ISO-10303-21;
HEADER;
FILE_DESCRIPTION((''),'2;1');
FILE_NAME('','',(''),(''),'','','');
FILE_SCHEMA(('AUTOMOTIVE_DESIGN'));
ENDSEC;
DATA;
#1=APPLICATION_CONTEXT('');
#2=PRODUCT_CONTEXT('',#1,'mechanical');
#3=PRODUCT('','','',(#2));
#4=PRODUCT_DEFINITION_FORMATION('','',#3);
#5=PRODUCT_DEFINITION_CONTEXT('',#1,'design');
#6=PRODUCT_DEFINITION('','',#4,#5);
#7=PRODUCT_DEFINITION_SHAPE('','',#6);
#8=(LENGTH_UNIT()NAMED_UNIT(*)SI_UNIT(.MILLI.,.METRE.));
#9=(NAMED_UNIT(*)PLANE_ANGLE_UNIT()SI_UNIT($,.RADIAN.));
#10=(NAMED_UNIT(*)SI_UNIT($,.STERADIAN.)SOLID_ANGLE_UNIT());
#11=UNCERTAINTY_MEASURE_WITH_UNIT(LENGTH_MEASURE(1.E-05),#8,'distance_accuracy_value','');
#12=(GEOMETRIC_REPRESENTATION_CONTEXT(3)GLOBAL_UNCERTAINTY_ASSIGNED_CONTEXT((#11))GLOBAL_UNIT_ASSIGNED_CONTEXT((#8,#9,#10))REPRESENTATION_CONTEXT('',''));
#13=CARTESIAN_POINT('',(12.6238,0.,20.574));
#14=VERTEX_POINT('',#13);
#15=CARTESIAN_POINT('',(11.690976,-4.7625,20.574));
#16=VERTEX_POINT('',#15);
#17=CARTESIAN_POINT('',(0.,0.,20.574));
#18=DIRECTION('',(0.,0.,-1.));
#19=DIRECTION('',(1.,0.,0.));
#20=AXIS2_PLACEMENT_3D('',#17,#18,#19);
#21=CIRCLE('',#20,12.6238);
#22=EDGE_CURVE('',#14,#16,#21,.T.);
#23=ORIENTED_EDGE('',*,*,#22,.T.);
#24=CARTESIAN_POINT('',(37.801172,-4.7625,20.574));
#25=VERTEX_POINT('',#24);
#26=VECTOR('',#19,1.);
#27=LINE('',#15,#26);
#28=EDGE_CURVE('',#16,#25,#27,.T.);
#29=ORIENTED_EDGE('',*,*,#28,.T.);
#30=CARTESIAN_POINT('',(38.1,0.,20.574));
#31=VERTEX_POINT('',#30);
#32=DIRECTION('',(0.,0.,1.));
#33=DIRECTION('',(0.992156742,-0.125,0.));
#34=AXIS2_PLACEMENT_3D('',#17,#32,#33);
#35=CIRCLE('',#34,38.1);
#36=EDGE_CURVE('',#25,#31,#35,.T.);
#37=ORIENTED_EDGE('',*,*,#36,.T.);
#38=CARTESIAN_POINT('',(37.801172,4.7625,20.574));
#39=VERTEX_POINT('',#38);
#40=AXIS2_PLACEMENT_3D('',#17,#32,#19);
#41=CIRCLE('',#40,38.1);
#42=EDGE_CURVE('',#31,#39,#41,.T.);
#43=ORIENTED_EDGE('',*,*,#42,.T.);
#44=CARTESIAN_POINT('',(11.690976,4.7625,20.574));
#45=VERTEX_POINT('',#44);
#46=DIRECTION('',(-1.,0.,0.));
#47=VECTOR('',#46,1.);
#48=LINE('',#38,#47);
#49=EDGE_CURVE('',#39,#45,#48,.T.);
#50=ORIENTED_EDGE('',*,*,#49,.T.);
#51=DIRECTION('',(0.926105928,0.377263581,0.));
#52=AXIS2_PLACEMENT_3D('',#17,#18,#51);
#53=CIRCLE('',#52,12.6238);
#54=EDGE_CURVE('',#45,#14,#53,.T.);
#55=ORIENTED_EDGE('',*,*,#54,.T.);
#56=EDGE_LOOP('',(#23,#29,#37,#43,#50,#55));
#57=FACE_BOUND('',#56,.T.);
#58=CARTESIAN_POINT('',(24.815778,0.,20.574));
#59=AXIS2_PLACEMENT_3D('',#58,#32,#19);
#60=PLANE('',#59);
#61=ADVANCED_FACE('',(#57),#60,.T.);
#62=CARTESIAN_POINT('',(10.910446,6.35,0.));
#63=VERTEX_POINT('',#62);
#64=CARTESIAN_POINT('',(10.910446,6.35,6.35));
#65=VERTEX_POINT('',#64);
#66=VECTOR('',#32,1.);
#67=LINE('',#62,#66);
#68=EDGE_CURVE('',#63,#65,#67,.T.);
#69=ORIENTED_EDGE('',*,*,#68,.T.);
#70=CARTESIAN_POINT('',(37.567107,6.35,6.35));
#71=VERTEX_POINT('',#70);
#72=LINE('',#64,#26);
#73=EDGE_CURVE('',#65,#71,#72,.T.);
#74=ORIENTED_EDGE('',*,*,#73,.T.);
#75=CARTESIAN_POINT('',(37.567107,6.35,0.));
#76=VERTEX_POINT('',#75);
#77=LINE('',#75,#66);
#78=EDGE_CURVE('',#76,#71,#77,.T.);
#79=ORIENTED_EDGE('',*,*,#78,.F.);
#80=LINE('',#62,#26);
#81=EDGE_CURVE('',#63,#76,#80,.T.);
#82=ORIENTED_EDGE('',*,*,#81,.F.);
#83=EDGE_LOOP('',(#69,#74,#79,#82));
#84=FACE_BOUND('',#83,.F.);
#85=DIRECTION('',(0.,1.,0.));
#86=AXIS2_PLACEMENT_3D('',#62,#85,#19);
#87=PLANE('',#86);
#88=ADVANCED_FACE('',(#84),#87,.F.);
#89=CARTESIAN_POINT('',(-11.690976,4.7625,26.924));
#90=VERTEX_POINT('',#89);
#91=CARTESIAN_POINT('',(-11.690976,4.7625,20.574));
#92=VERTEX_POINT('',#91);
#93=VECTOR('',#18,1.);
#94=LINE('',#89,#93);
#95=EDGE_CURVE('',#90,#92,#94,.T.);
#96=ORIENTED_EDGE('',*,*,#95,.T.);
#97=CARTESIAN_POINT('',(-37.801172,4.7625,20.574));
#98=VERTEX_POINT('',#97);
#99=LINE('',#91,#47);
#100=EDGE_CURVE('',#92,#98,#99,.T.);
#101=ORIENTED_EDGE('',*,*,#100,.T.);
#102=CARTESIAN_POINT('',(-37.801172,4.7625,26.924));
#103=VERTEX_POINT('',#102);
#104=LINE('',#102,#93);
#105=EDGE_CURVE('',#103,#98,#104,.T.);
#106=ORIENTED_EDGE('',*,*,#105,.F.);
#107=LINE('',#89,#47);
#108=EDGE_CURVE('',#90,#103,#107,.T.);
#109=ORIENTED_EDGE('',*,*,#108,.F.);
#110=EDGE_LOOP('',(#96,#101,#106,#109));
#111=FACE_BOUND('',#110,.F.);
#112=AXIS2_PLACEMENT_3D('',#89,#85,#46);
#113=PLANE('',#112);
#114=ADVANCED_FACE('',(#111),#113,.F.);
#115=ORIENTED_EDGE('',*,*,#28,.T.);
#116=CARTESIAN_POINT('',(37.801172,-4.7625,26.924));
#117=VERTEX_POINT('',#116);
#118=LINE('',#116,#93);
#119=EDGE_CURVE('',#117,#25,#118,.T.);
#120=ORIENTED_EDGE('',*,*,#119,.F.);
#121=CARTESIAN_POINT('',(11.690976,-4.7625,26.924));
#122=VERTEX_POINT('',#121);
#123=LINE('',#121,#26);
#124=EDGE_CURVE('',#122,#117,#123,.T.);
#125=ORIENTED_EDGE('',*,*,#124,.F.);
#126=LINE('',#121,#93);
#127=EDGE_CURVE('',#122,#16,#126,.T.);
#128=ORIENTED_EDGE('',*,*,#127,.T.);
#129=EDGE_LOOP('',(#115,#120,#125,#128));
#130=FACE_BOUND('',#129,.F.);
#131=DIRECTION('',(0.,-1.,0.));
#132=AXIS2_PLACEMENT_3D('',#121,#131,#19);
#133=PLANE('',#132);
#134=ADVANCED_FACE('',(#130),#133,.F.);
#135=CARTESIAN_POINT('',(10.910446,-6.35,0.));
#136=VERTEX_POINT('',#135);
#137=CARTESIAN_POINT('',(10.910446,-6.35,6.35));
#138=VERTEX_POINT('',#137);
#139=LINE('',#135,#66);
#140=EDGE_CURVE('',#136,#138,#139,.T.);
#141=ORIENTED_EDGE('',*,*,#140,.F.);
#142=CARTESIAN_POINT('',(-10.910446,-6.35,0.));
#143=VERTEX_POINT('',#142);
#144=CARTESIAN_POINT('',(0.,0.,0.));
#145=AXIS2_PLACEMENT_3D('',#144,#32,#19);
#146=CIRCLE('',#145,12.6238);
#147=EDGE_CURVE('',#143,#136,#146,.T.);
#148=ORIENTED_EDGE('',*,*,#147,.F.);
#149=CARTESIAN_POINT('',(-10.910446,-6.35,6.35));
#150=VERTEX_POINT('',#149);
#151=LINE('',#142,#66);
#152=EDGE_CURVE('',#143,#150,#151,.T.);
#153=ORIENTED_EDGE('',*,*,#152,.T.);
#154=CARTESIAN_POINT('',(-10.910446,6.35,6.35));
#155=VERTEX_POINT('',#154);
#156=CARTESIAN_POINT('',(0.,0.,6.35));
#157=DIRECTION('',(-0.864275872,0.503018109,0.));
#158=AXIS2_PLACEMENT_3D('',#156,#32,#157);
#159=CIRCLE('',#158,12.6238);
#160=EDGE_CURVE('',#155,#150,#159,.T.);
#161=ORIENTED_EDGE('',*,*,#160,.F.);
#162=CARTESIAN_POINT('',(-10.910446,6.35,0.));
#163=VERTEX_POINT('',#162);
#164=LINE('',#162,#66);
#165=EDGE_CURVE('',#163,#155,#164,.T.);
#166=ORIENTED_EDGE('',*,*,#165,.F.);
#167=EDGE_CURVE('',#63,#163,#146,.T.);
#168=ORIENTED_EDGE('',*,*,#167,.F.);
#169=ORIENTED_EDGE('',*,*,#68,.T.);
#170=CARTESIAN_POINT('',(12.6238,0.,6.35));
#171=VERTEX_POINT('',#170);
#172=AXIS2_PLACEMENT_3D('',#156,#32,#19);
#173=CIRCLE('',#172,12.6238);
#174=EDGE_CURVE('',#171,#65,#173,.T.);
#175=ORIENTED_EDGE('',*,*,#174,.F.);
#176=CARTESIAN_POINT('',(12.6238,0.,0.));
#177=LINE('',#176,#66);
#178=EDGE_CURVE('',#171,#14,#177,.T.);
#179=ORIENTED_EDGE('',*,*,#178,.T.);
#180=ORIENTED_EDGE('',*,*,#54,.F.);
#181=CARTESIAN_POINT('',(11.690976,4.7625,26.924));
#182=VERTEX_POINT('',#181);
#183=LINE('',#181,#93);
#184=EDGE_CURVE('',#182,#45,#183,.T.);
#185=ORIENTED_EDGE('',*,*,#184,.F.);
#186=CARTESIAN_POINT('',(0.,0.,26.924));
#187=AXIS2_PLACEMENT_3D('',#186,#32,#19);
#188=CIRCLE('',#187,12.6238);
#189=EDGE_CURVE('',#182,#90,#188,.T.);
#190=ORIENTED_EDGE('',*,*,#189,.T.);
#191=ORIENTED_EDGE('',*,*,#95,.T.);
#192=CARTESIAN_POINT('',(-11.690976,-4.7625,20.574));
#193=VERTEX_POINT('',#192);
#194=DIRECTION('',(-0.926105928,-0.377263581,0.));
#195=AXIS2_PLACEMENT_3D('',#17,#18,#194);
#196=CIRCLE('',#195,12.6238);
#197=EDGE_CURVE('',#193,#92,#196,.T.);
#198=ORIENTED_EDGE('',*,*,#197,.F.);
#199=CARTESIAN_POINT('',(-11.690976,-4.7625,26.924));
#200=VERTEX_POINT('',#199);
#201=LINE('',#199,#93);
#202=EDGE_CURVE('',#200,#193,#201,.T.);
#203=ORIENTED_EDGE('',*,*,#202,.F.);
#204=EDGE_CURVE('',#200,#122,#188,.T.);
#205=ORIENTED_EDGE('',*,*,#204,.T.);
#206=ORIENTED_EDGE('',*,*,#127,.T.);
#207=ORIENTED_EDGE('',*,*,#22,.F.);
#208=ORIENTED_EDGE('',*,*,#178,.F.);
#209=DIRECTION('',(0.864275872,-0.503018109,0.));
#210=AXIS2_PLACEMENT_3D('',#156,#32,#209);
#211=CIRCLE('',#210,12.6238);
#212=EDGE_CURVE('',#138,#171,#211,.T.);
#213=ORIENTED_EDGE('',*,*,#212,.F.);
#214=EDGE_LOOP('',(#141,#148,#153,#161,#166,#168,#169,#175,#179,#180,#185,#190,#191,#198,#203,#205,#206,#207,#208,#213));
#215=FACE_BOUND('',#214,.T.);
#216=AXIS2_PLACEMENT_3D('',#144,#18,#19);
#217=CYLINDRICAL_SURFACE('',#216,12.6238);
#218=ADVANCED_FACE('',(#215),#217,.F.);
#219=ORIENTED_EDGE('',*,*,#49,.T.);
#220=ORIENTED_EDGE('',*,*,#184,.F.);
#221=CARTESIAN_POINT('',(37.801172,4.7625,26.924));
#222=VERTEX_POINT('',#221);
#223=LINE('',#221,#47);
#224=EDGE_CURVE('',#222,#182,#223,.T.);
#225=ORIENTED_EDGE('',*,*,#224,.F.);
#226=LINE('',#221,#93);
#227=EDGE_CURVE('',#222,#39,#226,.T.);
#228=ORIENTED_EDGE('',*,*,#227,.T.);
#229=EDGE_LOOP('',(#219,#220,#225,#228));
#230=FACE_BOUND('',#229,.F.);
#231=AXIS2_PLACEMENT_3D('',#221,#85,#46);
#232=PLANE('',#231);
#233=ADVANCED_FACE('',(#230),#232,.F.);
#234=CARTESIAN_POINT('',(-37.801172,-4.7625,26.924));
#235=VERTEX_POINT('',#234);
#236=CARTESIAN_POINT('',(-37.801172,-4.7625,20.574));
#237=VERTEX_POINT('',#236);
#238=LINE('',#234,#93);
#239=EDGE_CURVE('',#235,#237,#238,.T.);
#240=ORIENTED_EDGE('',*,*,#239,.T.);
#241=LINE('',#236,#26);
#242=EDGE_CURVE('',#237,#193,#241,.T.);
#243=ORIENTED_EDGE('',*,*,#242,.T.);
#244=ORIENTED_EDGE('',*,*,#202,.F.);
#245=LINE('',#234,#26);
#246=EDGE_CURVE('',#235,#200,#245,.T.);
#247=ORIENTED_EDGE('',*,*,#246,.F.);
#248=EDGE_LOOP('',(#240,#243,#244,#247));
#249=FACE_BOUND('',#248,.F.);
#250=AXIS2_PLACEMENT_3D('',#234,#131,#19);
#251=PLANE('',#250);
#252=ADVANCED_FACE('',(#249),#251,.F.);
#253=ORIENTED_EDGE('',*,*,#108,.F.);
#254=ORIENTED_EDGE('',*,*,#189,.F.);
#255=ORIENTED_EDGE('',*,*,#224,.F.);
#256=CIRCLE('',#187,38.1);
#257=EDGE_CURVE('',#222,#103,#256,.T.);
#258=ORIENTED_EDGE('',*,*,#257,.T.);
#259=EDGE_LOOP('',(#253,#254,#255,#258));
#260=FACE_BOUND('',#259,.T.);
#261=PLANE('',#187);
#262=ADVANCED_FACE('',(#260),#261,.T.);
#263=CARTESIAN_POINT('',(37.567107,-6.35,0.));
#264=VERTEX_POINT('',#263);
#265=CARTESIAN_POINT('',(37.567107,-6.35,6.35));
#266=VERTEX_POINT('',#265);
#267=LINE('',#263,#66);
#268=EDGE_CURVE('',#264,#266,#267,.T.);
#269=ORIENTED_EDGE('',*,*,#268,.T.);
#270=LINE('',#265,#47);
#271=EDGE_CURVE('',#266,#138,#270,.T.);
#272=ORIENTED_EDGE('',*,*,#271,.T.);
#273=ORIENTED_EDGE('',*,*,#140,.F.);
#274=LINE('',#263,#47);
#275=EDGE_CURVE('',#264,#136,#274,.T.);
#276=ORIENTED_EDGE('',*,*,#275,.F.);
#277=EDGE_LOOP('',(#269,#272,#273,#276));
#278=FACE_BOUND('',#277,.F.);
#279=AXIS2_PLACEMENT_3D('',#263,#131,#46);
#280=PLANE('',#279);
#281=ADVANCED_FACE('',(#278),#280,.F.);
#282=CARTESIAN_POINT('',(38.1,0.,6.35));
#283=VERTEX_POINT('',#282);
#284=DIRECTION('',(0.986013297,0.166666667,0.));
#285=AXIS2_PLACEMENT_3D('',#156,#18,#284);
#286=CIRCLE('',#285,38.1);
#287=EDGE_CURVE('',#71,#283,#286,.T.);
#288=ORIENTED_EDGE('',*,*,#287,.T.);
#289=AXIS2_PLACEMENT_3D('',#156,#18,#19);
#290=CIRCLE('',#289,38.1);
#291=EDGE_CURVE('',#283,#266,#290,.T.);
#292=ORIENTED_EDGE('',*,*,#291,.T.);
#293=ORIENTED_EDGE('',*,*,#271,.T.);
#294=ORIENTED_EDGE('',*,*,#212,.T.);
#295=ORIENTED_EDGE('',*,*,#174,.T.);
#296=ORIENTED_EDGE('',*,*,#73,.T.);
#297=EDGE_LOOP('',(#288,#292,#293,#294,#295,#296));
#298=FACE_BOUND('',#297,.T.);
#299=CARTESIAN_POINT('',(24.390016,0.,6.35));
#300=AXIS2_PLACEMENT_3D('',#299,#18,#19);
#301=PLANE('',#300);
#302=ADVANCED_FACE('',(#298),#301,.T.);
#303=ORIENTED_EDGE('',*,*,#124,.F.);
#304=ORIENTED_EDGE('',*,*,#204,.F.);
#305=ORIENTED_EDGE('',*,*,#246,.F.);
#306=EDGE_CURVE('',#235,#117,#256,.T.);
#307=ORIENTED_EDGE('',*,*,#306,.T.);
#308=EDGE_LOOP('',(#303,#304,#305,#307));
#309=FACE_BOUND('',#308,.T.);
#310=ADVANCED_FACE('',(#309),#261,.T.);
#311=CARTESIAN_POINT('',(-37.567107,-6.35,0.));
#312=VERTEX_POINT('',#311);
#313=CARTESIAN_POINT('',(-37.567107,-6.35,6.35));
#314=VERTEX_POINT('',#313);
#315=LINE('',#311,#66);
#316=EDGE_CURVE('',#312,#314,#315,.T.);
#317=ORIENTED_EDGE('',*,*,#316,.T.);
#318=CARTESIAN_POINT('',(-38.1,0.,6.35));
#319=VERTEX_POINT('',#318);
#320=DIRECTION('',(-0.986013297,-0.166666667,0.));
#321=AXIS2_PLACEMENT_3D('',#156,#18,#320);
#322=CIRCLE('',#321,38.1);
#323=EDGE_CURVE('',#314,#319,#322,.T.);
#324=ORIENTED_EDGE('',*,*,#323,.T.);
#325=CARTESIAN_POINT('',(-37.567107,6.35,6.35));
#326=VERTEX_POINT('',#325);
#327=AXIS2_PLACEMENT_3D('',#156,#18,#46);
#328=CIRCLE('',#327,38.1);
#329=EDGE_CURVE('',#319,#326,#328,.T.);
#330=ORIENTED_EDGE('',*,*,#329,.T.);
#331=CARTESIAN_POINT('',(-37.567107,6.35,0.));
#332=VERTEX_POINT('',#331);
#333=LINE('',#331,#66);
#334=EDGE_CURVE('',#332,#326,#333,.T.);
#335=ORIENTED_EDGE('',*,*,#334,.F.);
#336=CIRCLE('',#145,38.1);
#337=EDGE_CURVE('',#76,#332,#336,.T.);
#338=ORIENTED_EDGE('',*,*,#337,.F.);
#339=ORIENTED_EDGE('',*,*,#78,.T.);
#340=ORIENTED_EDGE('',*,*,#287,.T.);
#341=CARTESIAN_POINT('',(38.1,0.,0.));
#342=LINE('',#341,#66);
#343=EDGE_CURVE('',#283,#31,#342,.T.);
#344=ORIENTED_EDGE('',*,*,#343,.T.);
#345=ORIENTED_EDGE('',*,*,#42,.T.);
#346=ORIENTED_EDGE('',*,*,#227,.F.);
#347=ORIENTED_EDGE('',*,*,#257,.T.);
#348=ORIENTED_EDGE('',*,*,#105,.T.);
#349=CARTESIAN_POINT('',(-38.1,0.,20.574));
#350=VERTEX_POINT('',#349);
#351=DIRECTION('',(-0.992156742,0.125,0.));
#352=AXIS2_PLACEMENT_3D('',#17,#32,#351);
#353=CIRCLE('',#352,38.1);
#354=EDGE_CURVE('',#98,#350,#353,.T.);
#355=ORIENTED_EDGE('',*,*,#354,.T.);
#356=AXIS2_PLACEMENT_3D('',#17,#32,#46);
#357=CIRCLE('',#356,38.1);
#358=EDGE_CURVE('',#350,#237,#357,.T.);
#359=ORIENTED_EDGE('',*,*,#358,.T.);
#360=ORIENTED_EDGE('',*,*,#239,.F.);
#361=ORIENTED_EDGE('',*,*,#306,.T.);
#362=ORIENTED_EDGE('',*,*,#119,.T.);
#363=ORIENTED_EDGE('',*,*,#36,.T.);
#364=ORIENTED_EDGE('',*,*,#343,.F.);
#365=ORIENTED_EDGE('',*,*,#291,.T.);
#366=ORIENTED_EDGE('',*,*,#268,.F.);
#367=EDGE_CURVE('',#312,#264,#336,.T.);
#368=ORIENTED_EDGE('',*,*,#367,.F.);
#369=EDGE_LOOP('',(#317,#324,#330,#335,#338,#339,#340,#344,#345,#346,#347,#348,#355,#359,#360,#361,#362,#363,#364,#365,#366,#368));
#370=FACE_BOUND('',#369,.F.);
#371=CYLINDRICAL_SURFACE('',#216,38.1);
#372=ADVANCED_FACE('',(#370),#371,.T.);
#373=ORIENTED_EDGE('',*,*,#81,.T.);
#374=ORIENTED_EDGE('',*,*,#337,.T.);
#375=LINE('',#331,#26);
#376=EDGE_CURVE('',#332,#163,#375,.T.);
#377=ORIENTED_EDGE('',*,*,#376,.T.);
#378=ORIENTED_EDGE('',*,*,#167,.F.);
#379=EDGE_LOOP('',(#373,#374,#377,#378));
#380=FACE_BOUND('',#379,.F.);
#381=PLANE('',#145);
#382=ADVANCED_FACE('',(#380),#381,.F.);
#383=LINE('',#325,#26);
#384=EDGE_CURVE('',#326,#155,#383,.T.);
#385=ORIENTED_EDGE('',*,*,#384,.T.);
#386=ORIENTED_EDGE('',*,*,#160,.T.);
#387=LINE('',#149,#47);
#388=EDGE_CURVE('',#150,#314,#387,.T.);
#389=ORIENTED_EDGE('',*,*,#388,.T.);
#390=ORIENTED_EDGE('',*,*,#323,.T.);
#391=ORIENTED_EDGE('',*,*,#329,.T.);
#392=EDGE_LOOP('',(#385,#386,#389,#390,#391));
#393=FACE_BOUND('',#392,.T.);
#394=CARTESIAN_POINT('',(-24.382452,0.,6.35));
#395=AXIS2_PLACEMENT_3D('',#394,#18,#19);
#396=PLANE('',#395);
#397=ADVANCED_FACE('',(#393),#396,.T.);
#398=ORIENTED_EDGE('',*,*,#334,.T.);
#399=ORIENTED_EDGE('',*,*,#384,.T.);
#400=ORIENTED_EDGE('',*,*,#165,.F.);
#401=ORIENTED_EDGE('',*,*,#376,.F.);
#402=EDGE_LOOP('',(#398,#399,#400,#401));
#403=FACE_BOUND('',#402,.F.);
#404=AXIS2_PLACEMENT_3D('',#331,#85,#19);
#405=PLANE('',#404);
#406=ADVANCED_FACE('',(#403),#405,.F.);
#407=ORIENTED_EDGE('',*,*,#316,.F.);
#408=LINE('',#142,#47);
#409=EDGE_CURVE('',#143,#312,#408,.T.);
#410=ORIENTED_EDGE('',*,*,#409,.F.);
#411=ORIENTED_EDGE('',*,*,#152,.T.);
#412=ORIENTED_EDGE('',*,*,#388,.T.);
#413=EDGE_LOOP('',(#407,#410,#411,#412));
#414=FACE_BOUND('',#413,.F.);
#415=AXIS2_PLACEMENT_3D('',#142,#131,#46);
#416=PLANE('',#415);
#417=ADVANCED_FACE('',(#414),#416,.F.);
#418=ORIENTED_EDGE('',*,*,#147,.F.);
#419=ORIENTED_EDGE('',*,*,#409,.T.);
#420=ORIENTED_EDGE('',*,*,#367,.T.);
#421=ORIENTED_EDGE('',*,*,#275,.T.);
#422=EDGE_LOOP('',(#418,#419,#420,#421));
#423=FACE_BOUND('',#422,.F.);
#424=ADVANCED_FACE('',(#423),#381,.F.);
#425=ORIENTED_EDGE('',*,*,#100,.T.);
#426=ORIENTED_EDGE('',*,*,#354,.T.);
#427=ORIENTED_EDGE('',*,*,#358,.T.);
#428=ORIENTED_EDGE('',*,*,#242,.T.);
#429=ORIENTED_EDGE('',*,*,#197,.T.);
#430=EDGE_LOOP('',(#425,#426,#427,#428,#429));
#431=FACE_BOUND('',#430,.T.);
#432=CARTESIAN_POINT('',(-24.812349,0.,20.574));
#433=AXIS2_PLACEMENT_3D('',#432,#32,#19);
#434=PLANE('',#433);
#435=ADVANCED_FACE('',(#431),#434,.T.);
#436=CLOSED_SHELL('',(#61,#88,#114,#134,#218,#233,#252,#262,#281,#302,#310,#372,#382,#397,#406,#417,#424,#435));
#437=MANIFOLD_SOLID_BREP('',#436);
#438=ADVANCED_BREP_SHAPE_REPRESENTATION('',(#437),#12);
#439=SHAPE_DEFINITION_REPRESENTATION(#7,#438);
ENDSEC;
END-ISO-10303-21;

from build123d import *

# Parameters (mm, degrees)
F0_R     = 38.1
F0_R_2   = 12.6238
F1_DEPTH = 26.924
F3_DEPTH = 6.35
F5_DEPTH = 6.35


with BuildPart() as f1:
    # F0 (on Top) → F1 (new body)
    with BuildSketch(Plane.XY):
        Circle(F0_R)
        Circle(F0_R_2, mode=Mode.SUBTRACT)
    extrude(amount=F1_DEPTH)

    # F2 (on face) → F3 (cut)
    with BuildSketch(Plane.XY.offset(26.924)):
        with BuildLine():
            Line((-11.6909760153, 4.7625), (-37.8011718568, 4.7625))
            ThreePointArc((-37.8011718568, 4.7625), (-38.0252195769, 2.3859329679), (-38.1, 0))
            ThreePointArc((-38.1, 0), (-38.0252195769, -2.3859329679), (-37.8011718568, -4.7625))
            Line((-37.8011718568, -4.7625), (-11.6909760153, -4.7625))
            ThreePointArc((-11.6909760153, -4.7625), (-12.6238, 0), (-11.6909760153, 4.7625))
        make_face()
        with BuildLine():
            ThreePointArc((38.1, 0), (38.0252195769, 2.3859329679), (37.8011718568, 4.7625))
            Line((37.8011718568, 4.7625), (11.6909760153, 4.7625))
            ThreePointArc((11.6909760153, 4.7625), (12.3883991997, 2.426497828), (12.6238, 0))
            ThreePointArc((12.6238, 0), (12.3883991997, -2.426497828), (11.6909760153, -4.7625))
            Line((11.6909760153, -4.7625), (37.8011718568, -4.7625))
            ThreePointArc((37.8011718568, -4.7625), (38.0252195769, -2.3859329679), (38.1, 0))
        make_face()
    extrude(amount=-F3_DEPTH, mode=Mode.SUBTRACT)

    # F4 (on face) → F5 (cut)
    with BuildSketch(Plane(origin=(0, 0, 0), x_dir=(1, 0, 0), z_dir=(0, 0, -1))):
        with BuildLine():
            Line((-10.9104457489, 6.35), (-37.5671066227, 6.35))
            ThreePointArc((-37.5671066227, 6.35), (-37.9665429182, 3.1861605167), (-38.1, 0))
            ThreePointArc((-38.1, 0), (-37.9665429182, -3.1861605167), (-37.5671066227, -6.35))
            Line((-37.5671066227, -6.35), (-10.9104457489, -6.35))
            ThreePointArc((-10.9104457489, -6.35), (-12.6238, 0), (-10.9104457489, 6.35))
        make_face()
        with BuildLine():
            ThreePointArc((38.1, 0), (37.9665429182, 3.1861605167), (37.5671066227, 6.35))
            Line((37.5671066227, 6.35), (10.9104457489, 6.35))
            ThreePointArc((10.9104457489, 6.35), (12.1879368944, 3.2885438567), (12.6238, 0))
            ThreePointArc((12.6238, 0), (12.1879368944, -3.2885438567), (10.9104457489, -6.35))
            Line((10.9104457489, -6.35), (37.5671066227, -6.35))
            ThreePointArc((37.5671066227, -6.35), (37.9665429182, -3.1861605167), (38.1, 0))
        make_face()
    extrude(amount=-F5_DEPTH, mode=Mode.SUBTRACT)


solid = f1.part
